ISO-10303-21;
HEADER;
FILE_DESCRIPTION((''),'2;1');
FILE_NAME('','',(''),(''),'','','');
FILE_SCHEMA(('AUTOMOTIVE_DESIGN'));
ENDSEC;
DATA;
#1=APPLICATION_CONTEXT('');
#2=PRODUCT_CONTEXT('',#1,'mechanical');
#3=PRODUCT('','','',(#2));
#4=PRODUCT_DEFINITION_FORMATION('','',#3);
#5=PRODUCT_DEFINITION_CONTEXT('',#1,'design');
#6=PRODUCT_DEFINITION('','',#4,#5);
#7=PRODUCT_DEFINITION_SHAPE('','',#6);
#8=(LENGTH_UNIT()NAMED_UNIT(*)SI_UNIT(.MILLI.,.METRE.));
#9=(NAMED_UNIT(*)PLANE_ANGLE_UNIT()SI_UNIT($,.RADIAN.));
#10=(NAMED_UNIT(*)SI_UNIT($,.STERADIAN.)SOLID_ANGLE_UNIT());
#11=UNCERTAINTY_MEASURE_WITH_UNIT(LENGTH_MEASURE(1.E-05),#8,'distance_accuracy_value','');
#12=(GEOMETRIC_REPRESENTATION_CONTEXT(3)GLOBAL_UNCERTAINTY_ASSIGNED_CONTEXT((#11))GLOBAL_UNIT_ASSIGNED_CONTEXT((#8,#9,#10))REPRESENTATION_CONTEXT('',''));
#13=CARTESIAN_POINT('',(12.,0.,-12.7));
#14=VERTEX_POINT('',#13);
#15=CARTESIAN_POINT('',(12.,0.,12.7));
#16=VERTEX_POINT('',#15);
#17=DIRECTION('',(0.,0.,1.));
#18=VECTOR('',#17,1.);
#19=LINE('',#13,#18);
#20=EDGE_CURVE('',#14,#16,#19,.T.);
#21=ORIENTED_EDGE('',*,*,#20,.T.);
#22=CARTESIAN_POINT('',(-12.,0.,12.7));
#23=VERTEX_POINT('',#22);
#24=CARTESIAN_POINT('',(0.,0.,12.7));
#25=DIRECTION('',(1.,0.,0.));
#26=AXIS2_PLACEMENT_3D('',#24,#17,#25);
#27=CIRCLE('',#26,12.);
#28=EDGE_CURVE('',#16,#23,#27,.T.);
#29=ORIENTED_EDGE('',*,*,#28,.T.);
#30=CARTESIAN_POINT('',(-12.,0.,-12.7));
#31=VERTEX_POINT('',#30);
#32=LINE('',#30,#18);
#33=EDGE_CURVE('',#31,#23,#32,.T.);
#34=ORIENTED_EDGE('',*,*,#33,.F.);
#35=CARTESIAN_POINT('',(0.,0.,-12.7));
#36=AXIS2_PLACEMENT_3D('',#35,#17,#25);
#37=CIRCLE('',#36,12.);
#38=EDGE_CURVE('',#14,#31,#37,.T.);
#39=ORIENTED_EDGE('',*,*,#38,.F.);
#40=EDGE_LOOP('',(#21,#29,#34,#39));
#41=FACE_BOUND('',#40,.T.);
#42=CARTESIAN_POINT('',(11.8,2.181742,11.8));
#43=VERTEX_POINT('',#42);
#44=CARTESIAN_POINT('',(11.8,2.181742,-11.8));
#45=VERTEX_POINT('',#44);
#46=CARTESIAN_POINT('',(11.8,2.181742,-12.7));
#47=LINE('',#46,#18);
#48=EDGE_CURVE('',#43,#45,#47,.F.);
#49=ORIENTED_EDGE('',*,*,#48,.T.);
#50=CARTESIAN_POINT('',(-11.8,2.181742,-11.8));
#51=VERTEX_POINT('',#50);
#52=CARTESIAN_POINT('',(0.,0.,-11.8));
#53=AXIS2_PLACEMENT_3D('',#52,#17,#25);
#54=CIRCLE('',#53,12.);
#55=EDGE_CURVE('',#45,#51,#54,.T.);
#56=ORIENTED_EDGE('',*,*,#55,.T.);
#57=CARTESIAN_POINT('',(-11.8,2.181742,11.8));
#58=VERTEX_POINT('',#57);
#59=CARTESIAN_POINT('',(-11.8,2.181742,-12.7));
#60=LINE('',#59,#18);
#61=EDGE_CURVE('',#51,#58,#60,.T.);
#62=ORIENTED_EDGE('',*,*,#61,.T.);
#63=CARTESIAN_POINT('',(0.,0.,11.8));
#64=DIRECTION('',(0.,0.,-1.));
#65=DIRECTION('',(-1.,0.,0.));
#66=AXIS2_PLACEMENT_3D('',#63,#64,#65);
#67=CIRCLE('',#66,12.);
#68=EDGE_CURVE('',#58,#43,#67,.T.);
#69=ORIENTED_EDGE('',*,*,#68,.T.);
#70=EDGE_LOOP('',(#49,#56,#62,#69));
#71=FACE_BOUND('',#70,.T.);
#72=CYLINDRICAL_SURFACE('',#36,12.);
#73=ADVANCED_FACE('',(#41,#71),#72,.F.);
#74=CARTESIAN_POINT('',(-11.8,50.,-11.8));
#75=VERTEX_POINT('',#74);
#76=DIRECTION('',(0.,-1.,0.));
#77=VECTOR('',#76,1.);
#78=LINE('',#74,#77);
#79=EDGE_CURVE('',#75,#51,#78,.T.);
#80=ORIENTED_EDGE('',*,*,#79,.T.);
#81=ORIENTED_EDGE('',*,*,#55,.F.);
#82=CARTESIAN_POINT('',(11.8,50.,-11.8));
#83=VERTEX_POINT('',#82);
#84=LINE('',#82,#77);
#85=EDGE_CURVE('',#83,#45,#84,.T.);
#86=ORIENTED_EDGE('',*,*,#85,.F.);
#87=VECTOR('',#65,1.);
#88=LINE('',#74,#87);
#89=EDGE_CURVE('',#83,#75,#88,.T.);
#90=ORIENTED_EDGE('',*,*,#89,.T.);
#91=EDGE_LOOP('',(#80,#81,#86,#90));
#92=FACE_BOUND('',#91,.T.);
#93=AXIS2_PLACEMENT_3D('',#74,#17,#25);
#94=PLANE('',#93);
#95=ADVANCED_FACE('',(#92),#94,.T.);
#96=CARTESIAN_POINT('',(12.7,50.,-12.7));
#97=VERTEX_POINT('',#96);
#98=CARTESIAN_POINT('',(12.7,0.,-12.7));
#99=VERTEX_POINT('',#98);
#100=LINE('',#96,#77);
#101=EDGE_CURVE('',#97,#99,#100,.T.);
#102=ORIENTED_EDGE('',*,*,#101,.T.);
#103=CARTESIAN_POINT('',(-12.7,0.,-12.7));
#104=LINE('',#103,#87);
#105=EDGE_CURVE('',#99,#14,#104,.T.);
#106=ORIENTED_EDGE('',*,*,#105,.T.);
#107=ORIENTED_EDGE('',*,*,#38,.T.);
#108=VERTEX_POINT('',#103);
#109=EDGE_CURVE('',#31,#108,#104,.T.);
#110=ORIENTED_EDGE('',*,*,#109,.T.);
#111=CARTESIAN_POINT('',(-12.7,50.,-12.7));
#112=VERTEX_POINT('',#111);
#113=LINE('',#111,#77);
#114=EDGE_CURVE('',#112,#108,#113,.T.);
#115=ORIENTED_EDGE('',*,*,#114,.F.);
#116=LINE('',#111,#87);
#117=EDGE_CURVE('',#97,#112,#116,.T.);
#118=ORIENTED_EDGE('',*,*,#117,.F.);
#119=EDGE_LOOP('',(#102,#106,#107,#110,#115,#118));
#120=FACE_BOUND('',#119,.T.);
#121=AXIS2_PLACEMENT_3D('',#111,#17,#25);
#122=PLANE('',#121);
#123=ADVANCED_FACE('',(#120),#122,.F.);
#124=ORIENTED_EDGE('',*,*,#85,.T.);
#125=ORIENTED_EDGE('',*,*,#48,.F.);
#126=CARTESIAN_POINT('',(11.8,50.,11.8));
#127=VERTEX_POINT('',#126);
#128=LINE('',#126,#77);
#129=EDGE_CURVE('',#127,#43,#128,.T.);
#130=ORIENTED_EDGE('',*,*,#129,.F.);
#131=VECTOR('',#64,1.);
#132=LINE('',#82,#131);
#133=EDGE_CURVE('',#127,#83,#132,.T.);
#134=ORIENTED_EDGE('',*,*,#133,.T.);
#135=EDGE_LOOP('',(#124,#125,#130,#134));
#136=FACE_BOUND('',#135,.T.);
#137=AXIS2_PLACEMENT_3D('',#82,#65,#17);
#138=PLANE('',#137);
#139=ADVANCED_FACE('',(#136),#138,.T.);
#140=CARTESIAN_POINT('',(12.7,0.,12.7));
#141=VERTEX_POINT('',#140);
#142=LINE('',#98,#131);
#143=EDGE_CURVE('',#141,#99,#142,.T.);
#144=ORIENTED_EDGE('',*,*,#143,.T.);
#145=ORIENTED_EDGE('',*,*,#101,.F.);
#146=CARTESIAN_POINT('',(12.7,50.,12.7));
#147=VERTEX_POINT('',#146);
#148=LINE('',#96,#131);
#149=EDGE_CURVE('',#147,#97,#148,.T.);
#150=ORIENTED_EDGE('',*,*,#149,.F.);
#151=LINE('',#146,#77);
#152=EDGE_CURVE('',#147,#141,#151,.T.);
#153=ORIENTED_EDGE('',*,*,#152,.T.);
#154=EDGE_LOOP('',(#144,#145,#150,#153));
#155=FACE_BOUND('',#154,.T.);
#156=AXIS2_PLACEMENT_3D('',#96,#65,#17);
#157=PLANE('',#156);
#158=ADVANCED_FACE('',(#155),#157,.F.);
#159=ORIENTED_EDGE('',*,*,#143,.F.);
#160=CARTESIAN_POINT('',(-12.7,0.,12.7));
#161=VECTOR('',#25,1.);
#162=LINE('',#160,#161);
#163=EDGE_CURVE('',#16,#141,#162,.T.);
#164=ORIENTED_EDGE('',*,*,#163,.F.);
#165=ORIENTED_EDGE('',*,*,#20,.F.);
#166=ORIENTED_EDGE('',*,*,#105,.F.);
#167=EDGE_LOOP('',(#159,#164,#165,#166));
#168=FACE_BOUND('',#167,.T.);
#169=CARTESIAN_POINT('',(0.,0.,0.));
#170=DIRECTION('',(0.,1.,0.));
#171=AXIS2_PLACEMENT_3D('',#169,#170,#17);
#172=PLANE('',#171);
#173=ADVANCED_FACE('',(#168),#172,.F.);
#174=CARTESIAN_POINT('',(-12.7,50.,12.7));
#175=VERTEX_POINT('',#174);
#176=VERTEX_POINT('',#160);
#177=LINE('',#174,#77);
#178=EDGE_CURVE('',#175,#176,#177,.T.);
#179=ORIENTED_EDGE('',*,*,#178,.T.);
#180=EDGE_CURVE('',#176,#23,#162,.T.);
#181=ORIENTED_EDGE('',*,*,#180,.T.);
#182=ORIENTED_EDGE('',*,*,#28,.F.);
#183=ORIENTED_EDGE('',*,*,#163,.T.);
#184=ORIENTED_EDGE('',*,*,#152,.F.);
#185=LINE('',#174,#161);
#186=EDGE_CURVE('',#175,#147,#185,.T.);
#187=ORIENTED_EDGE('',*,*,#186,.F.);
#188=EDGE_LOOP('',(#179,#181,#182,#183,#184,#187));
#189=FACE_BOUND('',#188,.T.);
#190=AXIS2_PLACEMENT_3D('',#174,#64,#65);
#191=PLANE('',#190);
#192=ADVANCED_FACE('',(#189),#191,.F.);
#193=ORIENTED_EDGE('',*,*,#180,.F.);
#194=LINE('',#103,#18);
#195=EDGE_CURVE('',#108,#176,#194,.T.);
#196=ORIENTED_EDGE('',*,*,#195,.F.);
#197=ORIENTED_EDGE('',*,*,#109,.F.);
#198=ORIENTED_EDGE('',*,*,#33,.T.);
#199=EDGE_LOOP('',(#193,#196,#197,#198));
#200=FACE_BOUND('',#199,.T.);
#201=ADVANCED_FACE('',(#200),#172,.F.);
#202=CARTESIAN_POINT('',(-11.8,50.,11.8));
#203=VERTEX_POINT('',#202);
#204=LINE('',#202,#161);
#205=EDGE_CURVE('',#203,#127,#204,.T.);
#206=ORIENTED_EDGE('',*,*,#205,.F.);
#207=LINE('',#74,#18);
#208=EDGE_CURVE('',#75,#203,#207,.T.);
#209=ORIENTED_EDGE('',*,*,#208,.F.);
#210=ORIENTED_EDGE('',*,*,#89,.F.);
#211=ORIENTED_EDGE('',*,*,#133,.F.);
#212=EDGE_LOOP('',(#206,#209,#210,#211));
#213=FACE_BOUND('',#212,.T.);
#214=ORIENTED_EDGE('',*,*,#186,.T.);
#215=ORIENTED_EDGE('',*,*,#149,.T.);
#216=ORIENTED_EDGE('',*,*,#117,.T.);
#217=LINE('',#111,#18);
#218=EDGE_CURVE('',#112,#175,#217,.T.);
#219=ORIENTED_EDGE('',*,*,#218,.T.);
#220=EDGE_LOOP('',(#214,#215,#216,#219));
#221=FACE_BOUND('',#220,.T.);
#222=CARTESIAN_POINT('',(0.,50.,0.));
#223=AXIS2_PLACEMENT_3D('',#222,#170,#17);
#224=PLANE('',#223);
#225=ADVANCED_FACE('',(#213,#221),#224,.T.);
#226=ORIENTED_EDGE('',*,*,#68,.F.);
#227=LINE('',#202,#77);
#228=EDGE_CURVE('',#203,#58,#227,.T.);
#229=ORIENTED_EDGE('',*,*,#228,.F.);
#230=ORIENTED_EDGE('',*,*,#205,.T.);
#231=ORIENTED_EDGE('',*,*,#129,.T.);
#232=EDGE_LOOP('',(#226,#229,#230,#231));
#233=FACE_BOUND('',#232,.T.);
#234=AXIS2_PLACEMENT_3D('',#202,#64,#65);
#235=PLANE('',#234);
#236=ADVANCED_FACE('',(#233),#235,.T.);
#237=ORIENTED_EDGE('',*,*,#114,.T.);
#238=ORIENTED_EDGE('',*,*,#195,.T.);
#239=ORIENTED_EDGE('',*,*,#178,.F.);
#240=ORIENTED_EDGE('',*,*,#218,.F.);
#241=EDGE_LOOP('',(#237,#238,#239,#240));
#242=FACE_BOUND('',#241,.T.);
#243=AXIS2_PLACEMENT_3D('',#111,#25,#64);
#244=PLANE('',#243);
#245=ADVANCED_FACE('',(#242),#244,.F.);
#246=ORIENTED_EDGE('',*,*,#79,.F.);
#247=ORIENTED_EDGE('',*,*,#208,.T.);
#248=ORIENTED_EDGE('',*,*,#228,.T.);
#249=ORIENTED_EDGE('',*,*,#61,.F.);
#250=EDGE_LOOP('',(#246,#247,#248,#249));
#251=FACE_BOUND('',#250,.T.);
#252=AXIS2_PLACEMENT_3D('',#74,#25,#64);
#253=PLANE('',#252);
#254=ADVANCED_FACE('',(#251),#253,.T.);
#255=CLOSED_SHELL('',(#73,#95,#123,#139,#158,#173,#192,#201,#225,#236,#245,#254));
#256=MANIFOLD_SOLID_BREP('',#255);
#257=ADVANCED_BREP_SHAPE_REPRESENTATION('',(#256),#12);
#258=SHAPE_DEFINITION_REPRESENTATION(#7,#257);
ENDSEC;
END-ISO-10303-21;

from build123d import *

# Parameters (mm, degrees)
SKETCH1_W           = 25.4
SKETCH1_H           = 25.4
SKETCH1_W_2         = 23.6
SKETCH1_H_2         = 23.6
BOSS_EXTRUDE1_DEPTH = 50
CUT_EXTRUDE1_DEPTH  = 25.4


with BuildPart() as part:
    # Sketch1 → Boss-Extrude1 (new body)
    with BuildSketch(Plane(origin=(0, 0, 0), x_dir=(1, 0, 0), z_dir=(0, 1, 0))):
        Rectangle(SKETCH1_W, SKETCH1_H)
        Rectangle(SKETCH1_W_2, SKETCH1_H_2, mode=Mode.SUBTRACT)
    extrude(amount=BOSS_EXTRUDE1_DEPTH)

    # Sketch2 → Cut-Extrude1 (cut)
    with BuildSketch(Plane.XY.offset(12.7)):
        with BuildLine():
            Line((-12, 0), (12, 0))
            ThreePointArc((12, 0), (0, 12), (-12, 0))
        make_face()
    extrude(amount=-CUT_EXTRUDE1_DEPTH, mode=Mode.SUBTRACT)


solid = part.part
